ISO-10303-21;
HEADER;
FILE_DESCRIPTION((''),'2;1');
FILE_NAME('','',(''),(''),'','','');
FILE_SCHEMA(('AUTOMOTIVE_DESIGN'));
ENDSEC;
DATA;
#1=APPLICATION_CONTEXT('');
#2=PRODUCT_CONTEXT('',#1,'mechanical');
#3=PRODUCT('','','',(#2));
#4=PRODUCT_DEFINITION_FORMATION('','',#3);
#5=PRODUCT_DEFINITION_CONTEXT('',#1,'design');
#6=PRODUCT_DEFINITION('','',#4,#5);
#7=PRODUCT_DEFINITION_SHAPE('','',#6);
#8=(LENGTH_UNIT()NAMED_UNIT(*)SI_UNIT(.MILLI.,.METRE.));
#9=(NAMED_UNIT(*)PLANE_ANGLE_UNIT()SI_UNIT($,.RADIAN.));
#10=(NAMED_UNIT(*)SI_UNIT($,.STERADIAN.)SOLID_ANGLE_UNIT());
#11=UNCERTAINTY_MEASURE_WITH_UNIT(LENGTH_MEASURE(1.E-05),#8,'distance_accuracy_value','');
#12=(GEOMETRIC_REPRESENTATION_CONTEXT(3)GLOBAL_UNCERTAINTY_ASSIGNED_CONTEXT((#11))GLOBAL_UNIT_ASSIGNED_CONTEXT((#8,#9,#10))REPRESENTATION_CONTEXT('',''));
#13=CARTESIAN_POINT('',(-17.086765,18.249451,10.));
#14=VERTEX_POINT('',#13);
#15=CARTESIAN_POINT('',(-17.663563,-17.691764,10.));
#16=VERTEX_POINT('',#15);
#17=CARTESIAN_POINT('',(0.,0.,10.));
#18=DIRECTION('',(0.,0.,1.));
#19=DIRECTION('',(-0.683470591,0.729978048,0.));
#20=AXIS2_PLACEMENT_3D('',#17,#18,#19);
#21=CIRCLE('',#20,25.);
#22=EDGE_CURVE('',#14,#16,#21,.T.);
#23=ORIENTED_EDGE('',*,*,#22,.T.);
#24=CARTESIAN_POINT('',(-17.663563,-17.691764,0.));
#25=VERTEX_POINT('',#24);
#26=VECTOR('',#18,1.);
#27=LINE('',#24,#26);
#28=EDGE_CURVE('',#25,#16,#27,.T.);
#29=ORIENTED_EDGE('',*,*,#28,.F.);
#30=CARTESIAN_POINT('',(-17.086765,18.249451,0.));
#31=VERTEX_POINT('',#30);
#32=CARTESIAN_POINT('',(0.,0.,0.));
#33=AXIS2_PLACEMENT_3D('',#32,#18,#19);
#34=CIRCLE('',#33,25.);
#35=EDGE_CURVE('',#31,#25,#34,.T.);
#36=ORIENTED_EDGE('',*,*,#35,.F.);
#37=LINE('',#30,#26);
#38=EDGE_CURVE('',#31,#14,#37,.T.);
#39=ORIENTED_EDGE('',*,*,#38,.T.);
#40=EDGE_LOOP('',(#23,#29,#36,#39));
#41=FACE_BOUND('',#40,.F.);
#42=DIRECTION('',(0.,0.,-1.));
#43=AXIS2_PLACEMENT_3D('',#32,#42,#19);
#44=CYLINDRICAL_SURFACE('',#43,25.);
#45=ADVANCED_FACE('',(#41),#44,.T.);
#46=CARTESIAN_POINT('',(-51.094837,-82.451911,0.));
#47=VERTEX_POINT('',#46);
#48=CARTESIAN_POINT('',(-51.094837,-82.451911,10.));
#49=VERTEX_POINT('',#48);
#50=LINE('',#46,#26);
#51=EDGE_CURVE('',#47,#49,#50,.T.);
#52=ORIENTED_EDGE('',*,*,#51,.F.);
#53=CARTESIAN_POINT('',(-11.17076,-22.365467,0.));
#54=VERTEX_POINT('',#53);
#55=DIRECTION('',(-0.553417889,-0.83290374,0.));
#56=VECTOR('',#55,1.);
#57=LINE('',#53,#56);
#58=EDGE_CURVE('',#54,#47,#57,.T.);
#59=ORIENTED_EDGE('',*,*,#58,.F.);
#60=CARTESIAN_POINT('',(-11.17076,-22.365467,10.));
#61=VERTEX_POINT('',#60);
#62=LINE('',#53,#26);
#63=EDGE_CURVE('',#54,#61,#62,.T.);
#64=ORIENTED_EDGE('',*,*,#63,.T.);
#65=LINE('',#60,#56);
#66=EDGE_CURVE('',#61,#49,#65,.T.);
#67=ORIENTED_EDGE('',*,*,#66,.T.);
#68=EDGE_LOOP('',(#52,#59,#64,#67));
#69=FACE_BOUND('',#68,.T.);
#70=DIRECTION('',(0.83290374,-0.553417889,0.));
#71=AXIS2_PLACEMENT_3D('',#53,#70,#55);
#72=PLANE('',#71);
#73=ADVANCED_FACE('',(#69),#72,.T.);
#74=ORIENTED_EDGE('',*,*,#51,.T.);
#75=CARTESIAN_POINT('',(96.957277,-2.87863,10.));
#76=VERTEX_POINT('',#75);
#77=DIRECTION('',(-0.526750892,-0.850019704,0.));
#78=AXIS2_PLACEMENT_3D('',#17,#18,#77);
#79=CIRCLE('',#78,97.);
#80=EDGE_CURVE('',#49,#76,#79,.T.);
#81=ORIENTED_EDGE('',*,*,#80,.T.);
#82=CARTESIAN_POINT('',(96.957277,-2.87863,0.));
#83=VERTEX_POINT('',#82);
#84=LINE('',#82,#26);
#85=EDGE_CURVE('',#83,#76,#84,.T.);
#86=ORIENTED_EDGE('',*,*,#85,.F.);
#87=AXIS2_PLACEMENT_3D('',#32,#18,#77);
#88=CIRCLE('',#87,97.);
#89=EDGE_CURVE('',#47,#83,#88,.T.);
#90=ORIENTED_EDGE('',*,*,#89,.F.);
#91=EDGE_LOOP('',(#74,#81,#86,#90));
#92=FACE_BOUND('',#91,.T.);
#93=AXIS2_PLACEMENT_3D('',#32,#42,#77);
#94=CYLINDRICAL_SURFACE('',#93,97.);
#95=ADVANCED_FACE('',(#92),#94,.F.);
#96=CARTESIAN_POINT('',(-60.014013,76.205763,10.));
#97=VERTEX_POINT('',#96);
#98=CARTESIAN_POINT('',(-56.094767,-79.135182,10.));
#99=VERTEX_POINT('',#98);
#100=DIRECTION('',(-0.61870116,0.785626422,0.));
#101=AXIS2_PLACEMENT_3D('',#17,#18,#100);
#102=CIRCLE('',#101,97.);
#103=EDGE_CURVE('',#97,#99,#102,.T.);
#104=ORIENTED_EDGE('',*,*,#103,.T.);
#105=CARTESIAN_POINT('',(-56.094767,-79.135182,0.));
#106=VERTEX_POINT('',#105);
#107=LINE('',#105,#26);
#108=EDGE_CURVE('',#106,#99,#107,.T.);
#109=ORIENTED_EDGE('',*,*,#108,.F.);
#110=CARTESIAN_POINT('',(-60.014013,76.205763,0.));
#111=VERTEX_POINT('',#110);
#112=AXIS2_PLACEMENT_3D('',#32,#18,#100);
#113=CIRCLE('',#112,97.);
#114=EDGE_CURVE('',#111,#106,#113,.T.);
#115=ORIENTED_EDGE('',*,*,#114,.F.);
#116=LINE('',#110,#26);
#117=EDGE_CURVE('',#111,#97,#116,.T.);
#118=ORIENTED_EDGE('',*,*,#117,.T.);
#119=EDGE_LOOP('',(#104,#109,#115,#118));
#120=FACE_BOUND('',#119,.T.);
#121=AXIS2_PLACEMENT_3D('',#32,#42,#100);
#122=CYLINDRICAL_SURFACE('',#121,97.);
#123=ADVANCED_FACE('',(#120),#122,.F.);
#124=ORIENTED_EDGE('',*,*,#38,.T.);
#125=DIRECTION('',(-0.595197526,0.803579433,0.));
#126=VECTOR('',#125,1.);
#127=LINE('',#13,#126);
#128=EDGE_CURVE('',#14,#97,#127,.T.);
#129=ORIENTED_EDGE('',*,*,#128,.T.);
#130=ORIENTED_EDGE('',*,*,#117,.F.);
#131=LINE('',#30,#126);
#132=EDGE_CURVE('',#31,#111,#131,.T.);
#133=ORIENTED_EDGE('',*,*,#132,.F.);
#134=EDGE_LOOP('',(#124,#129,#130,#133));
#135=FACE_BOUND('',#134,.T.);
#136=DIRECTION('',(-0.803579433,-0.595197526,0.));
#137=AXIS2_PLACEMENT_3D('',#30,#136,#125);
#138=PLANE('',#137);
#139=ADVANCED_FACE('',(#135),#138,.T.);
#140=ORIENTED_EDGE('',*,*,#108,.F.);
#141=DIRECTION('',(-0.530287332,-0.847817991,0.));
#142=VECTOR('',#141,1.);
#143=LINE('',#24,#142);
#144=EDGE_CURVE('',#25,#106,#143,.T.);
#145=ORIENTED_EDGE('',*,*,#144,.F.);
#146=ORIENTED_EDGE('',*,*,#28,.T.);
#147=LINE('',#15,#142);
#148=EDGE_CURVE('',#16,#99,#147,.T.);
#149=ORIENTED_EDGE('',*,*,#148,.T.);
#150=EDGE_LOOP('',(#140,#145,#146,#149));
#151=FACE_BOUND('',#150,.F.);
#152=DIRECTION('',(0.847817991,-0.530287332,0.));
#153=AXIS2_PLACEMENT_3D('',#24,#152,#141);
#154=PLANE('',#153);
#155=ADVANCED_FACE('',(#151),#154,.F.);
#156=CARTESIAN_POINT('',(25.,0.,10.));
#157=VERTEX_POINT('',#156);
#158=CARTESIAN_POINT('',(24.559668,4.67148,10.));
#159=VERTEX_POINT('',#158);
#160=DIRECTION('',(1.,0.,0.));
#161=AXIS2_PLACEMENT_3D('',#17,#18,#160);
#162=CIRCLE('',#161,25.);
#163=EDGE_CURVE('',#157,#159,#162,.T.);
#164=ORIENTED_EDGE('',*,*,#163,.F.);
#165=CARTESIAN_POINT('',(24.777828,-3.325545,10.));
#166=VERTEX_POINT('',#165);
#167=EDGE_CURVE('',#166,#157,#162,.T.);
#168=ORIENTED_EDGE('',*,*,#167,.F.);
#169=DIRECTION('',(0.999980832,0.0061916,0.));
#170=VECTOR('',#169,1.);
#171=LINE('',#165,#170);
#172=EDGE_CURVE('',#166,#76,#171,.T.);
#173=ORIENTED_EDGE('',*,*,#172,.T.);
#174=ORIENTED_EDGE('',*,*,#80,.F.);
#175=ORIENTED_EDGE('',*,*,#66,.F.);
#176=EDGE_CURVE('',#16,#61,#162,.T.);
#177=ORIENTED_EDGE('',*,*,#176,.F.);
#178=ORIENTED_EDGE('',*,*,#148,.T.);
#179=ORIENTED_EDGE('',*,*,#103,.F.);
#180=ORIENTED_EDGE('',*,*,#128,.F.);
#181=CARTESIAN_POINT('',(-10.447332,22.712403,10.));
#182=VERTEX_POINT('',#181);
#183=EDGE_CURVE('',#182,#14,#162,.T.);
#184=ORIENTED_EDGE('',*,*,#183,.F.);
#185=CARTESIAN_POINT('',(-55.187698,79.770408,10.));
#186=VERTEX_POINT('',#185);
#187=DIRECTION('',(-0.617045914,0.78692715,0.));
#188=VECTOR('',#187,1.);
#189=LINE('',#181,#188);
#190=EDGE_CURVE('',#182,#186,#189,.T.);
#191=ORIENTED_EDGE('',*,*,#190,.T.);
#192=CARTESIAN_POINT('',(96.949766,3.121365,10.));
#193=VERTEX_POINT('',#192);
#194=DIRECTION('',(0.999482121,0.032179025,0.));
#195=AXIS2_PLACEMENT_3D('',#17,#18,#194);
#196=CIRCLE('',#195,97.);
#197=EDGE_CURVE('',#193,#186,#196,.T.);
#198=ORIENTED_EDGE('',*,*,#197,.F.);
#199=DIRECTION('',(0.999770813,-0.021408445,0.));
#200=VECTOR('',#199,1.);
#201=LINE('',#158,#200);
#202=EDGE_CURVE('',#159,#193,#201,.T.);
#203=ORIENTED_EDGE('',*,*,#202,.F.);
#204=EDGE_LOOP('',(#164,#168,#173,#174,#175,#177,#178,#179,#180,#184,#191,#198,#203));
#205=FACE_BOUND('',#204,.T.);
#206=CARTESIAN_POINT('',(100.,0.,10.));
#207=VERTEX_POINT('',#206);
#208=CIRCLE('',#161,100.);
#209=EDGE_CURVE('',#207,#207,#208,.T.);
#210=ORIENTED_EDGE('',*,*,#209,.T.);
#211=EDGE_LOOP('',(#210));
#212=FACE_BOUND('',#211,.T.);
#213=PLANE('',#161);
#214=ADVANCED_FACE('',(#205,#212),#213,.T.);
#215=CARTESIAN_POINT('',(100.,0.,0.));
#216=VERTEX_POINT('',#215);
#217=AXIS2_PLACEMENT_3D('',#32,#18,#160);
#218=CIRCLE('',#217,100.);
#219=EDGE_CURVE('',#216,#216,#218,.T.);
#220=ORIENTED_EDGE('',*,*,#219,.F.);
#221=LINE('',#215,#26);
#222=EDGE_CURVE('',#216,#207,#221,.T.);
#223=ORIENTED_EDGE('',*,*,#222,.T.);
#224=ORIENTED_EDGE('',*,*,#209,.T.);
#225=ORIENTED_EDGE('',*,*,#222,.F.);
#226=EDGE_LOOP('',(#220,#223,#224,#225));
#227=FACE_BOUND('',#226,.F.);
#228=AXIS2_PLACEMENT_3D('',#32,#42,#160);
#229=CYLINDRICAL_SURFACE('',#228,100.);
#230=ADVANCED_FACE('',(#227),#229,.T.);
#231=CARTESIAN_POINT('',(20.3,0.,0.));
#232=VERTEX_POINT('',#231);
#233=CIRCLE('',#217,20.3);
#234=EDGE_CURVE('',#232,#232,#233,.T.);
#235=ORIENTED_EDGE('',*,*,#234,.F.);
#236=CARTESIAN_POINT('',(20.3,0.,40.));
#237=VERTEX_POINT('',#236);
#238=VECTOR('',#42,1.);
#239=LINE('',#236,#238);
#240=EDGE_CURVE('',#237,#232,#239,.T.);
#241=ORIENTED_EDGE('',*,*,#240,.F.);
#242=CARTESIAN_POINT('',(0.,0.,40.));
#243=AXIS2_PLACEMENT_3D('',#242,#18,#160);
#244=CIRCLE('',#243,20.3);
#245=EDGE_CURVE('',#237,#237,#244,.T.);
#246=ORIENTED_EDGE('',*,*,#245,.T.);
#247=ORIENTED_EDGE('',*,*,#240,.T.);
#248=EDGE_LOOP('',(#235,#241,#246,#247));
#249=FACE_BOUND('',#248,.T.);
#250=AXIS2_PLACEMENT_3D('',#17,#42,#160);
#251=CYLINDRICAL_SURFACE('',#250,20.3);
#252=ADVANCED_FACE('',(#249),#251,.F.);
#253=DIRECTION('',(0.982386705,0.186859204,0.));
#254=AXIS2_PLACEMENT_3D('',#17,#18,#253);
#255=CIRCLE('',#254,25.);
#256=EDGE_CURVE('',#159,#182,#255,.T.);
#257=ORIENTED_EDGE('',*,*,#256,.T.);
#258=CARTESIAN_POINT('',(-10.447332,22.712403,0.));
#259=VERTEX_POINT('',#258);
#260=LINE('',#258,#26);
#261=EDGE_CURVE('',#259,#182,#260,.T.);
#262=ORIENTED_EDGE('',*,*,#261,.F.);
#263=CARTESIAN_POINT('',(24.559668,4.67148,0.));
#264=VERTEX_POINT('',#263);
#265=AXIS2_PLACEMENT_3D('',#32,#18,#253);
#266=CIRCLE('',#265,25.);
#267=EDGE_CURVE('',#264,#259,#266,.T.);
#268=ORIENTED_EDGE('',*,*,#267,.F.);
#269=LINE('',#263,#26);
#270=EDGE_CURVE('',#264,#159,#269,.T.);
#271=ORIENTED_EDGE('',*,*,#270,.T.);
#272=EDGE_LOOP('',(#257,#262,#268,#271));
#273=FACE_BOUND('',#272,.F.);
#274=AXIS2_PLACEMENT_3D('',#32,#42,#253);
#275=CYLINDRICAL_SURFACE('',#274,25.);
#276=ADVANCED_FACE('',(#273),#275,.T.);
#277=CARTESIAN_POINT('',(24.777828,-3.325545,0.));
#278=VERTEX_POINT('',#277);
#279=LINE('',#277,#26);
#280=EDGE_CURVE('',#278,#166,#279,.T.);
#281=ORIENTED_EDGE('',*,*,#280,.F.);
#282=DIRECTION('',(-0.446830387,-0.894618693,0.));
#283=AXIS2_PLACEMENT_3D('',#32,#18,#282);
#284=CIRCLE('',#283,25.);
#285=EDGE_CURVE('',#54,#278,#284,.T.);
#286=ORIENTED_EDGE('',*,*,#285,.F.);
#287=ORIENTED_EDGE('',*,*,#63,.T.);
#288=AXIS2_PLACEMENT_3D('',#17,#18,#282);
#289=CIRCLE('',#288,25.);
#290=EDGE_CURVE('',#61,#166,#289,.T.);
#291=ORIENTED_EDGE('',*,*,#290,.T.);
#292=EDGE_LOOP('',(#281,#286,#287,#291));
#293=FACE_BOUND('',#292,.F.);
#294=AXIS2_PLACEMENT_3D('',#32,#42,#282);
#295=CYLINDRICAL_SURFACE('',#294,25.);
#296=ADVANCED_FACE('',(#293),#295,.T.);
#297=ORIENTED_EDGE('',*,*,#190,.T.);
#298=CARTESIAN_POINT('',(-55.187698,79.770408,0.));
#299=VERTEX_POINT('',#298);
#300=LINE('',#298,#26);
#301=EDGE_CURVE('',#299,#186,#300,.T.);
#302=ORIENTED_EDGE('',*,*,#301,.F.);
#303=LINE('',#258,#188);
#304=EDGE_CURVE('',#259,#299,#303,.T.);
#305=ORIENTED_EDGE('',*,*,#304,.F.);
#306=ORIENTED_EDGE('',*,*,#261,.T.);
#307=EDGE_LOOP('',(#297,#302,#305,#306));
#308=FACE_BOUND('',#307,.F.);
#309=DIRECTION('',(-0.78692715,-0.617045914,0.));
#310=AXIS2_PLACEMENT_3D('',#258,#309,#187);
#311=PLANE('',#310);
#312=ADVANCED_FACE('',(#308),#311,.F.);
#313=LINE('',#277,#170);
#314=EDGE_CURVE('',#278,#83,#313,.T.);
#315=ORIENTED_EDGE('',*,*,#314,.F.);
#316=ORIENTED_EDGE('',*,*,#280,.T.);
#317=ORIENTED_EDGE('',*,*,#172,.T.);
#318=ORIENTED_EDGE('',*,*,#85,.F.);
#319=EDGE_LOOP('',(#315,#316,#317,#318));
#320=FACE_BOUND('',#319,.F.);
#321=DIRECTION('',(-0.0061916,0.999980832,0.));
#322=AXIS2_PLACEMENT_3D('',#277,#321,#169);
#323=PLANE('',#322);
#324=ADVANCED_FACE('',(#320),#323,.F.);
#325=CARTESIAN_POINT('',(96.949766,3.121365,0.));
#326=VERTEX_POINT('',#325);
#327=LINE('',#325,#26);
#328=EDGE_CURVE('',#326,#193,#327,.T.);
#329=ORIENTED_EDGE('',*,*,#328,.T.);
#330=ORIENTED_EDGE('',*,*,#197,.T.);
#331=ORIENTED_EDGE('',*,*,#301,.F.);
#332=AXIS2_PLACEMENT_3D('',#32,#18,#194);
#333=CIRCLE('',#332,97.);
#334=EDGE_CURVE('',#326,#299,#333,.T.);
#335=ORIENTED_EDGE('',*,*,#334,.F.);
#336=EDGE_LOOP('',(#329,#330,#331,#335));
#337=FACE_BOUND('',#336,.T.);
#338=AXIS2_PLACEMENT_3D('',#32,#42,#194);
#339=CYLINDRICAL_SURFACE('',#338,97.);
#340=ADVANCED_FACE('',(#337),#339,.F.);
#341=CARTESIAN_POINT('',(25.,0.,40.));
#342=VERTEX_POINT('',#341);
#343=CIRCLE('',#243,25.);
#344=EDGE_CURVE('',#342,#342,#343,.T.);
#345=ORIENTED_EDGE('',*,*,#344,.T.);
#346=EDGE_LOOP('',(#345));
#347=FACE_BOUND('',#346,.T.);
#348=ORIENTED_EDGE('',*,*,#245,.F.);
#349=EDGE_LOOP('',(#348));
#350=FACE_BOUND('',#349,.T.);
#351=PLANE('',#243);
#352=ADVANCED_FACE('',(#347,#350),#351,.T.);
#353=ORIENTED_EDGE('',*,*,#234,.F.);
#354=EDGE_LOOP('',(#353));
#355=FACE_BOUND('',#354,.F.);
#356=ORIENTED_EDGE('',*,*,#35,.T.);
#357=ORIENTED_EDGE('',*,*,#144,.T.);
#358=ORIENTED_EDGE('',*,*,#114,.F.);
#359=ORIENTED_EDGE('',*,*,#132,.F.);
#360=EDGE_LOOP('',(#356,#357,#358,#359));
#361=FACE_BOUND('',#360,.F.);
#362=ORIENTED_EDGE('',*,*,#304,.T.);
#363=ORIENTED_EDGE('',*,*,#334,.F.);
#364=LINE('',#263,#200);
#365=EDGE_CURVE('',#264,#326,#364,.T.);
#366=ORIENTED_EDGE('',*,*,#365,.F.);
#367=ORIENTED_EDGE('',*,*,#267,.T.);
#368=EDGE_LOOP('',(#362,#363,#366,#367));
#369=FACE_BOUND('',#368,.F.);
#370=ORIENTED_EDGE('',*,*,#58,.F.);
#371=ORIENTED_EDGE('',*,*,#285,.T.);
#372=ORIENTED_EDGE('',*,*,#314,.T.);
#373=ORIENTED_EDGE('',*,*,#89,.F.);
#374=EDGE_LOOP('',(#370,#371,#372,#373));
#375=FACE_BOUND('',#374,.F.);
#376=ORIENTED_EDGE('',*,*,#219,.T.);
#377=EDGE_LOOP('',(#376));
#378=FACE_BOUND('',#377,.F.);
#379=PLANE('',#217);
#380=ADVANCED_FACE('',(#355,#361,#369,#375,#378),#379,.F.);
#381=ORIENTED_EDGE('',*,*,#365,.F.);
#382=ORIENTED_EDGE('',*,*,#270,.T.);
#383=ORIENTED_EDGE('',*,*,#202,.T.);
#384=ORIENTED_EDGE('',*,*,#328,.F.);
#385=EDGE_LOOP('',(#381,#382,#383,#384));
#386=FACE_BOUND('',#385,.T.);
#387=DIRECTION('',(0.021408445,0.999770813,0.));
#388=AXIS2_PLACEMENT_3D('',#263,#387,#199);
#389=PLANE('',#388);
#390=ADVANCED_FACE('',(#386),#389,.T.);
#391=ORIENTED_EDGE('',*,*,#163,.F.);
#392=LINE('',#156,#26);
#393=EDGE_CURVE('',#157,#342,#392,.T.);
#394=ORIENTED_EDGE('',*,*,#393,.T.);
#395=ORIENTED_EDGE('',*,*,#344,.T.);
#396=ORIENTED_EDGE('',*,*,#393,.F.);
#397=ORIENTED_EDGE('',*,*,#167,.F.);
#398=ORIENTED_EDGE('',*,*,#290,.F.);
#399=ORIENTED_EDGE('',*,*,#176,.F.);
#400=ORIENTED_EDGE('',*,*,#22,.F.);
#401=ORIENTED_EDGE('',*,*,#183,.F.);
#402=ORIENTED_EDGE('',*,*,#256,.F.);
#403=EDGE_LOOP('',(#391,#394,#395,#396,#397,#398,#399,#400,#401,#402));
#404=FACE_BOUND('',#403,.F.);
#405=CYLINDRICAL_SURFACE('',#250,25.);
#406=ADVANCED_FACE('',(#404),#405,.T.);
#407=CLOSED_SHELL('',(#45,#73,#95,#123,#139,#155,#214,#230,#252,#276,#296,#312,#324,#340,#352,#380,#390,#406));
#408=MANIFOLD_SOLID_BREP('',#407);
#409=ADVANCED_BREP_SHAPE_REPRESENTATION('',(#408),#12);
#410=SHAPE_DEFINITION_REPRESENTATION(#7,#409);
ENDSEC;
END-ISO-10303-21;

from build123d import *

# Parameters (mm, degrees)
SKETCH_R      = 100
SKETCH_R_2    = 20.3
PAD_DEPTH     = 10
SKETCH001_R   = 25
SKETCH001_R_2 = 20.3
PAD001_DEPTH  = 30


with BuildPart() as part:
    # Sketch → Pad (new body)
    with BuildSketch(Plane.XY):
        Circle(SKETCH_R)
        Circle(SKETCH_R_2, mode=Mode.SUBTRACT)
        with BuildLine():
            ThreePointArc((96.9497657449, 3.1213654066), (43.6438596811, 86.6268636864), (-55.1876984138, 79.7704076948))
            Line((-10.4473324135, 22.7124028989), (-55.1876984138, 79.7704076948))
            ThreePointArc((24.5596676208, 4.6714801032), (11.4524331511, 22.2225510443), (-10.4473324135, 22.7124028989))
            Line((24.5596676208, 4.6714801032), (96.9497657449, 3.1213654066))
        make_face(mode=Mode.SUBTRACT)
        with BuildLine():
            Line((24.7778278361, -3.3255447261), (96.9572766219, -2.8786298923))
            ThreePointArc((-51.0948365642, -82.4519112967), (45.9218644045, -85.441104684), (96.9572766219, -2.8786298923))
            Line((-11.1707596696, -22.3654673192), (-51.0948365642, -82.4519112967))
            ThreePointArc((-11.1707596696, -22.3654673192), (11.701185372, -22.0925838437), (24.7778278361, -3.3255447261))
        make_face(mode=Mode.SUBTRACT)
        with BuildLine():
            Line((-17.6635634383, -17.6917643739), (-56.0947674063, -79.1351822493))
            ThreePointArc((-60.0140125025, 76.2057629274), (-96.9691420251, -2.4465271145), (-56.0947674063, -79.1351822493))
            Line((-17.0867647821, 18.2494512049), (-60.0140125025, 76.2057629274))
            ThreePointArc((-17.0867647821, 18.2494512049), (-24.9967812363, 0.401158102), (-17.6635634383, -17.6917643739))
        make_face(mode=Mode.SUBTRACT)
    extrude(amount=PAD_DEPTH)

    # Sketch001 (on Face16 of Pad) → Pad001 (join)
    with BuildSketch(Plane.XY.offset(10)):
        Circle(SKETCH001_R)
        Circle(SKETCH001_R_2, mode=Mode.SUBTRACT)
    extrude(amount=PAD001_DEPTH)


solid = part.part
